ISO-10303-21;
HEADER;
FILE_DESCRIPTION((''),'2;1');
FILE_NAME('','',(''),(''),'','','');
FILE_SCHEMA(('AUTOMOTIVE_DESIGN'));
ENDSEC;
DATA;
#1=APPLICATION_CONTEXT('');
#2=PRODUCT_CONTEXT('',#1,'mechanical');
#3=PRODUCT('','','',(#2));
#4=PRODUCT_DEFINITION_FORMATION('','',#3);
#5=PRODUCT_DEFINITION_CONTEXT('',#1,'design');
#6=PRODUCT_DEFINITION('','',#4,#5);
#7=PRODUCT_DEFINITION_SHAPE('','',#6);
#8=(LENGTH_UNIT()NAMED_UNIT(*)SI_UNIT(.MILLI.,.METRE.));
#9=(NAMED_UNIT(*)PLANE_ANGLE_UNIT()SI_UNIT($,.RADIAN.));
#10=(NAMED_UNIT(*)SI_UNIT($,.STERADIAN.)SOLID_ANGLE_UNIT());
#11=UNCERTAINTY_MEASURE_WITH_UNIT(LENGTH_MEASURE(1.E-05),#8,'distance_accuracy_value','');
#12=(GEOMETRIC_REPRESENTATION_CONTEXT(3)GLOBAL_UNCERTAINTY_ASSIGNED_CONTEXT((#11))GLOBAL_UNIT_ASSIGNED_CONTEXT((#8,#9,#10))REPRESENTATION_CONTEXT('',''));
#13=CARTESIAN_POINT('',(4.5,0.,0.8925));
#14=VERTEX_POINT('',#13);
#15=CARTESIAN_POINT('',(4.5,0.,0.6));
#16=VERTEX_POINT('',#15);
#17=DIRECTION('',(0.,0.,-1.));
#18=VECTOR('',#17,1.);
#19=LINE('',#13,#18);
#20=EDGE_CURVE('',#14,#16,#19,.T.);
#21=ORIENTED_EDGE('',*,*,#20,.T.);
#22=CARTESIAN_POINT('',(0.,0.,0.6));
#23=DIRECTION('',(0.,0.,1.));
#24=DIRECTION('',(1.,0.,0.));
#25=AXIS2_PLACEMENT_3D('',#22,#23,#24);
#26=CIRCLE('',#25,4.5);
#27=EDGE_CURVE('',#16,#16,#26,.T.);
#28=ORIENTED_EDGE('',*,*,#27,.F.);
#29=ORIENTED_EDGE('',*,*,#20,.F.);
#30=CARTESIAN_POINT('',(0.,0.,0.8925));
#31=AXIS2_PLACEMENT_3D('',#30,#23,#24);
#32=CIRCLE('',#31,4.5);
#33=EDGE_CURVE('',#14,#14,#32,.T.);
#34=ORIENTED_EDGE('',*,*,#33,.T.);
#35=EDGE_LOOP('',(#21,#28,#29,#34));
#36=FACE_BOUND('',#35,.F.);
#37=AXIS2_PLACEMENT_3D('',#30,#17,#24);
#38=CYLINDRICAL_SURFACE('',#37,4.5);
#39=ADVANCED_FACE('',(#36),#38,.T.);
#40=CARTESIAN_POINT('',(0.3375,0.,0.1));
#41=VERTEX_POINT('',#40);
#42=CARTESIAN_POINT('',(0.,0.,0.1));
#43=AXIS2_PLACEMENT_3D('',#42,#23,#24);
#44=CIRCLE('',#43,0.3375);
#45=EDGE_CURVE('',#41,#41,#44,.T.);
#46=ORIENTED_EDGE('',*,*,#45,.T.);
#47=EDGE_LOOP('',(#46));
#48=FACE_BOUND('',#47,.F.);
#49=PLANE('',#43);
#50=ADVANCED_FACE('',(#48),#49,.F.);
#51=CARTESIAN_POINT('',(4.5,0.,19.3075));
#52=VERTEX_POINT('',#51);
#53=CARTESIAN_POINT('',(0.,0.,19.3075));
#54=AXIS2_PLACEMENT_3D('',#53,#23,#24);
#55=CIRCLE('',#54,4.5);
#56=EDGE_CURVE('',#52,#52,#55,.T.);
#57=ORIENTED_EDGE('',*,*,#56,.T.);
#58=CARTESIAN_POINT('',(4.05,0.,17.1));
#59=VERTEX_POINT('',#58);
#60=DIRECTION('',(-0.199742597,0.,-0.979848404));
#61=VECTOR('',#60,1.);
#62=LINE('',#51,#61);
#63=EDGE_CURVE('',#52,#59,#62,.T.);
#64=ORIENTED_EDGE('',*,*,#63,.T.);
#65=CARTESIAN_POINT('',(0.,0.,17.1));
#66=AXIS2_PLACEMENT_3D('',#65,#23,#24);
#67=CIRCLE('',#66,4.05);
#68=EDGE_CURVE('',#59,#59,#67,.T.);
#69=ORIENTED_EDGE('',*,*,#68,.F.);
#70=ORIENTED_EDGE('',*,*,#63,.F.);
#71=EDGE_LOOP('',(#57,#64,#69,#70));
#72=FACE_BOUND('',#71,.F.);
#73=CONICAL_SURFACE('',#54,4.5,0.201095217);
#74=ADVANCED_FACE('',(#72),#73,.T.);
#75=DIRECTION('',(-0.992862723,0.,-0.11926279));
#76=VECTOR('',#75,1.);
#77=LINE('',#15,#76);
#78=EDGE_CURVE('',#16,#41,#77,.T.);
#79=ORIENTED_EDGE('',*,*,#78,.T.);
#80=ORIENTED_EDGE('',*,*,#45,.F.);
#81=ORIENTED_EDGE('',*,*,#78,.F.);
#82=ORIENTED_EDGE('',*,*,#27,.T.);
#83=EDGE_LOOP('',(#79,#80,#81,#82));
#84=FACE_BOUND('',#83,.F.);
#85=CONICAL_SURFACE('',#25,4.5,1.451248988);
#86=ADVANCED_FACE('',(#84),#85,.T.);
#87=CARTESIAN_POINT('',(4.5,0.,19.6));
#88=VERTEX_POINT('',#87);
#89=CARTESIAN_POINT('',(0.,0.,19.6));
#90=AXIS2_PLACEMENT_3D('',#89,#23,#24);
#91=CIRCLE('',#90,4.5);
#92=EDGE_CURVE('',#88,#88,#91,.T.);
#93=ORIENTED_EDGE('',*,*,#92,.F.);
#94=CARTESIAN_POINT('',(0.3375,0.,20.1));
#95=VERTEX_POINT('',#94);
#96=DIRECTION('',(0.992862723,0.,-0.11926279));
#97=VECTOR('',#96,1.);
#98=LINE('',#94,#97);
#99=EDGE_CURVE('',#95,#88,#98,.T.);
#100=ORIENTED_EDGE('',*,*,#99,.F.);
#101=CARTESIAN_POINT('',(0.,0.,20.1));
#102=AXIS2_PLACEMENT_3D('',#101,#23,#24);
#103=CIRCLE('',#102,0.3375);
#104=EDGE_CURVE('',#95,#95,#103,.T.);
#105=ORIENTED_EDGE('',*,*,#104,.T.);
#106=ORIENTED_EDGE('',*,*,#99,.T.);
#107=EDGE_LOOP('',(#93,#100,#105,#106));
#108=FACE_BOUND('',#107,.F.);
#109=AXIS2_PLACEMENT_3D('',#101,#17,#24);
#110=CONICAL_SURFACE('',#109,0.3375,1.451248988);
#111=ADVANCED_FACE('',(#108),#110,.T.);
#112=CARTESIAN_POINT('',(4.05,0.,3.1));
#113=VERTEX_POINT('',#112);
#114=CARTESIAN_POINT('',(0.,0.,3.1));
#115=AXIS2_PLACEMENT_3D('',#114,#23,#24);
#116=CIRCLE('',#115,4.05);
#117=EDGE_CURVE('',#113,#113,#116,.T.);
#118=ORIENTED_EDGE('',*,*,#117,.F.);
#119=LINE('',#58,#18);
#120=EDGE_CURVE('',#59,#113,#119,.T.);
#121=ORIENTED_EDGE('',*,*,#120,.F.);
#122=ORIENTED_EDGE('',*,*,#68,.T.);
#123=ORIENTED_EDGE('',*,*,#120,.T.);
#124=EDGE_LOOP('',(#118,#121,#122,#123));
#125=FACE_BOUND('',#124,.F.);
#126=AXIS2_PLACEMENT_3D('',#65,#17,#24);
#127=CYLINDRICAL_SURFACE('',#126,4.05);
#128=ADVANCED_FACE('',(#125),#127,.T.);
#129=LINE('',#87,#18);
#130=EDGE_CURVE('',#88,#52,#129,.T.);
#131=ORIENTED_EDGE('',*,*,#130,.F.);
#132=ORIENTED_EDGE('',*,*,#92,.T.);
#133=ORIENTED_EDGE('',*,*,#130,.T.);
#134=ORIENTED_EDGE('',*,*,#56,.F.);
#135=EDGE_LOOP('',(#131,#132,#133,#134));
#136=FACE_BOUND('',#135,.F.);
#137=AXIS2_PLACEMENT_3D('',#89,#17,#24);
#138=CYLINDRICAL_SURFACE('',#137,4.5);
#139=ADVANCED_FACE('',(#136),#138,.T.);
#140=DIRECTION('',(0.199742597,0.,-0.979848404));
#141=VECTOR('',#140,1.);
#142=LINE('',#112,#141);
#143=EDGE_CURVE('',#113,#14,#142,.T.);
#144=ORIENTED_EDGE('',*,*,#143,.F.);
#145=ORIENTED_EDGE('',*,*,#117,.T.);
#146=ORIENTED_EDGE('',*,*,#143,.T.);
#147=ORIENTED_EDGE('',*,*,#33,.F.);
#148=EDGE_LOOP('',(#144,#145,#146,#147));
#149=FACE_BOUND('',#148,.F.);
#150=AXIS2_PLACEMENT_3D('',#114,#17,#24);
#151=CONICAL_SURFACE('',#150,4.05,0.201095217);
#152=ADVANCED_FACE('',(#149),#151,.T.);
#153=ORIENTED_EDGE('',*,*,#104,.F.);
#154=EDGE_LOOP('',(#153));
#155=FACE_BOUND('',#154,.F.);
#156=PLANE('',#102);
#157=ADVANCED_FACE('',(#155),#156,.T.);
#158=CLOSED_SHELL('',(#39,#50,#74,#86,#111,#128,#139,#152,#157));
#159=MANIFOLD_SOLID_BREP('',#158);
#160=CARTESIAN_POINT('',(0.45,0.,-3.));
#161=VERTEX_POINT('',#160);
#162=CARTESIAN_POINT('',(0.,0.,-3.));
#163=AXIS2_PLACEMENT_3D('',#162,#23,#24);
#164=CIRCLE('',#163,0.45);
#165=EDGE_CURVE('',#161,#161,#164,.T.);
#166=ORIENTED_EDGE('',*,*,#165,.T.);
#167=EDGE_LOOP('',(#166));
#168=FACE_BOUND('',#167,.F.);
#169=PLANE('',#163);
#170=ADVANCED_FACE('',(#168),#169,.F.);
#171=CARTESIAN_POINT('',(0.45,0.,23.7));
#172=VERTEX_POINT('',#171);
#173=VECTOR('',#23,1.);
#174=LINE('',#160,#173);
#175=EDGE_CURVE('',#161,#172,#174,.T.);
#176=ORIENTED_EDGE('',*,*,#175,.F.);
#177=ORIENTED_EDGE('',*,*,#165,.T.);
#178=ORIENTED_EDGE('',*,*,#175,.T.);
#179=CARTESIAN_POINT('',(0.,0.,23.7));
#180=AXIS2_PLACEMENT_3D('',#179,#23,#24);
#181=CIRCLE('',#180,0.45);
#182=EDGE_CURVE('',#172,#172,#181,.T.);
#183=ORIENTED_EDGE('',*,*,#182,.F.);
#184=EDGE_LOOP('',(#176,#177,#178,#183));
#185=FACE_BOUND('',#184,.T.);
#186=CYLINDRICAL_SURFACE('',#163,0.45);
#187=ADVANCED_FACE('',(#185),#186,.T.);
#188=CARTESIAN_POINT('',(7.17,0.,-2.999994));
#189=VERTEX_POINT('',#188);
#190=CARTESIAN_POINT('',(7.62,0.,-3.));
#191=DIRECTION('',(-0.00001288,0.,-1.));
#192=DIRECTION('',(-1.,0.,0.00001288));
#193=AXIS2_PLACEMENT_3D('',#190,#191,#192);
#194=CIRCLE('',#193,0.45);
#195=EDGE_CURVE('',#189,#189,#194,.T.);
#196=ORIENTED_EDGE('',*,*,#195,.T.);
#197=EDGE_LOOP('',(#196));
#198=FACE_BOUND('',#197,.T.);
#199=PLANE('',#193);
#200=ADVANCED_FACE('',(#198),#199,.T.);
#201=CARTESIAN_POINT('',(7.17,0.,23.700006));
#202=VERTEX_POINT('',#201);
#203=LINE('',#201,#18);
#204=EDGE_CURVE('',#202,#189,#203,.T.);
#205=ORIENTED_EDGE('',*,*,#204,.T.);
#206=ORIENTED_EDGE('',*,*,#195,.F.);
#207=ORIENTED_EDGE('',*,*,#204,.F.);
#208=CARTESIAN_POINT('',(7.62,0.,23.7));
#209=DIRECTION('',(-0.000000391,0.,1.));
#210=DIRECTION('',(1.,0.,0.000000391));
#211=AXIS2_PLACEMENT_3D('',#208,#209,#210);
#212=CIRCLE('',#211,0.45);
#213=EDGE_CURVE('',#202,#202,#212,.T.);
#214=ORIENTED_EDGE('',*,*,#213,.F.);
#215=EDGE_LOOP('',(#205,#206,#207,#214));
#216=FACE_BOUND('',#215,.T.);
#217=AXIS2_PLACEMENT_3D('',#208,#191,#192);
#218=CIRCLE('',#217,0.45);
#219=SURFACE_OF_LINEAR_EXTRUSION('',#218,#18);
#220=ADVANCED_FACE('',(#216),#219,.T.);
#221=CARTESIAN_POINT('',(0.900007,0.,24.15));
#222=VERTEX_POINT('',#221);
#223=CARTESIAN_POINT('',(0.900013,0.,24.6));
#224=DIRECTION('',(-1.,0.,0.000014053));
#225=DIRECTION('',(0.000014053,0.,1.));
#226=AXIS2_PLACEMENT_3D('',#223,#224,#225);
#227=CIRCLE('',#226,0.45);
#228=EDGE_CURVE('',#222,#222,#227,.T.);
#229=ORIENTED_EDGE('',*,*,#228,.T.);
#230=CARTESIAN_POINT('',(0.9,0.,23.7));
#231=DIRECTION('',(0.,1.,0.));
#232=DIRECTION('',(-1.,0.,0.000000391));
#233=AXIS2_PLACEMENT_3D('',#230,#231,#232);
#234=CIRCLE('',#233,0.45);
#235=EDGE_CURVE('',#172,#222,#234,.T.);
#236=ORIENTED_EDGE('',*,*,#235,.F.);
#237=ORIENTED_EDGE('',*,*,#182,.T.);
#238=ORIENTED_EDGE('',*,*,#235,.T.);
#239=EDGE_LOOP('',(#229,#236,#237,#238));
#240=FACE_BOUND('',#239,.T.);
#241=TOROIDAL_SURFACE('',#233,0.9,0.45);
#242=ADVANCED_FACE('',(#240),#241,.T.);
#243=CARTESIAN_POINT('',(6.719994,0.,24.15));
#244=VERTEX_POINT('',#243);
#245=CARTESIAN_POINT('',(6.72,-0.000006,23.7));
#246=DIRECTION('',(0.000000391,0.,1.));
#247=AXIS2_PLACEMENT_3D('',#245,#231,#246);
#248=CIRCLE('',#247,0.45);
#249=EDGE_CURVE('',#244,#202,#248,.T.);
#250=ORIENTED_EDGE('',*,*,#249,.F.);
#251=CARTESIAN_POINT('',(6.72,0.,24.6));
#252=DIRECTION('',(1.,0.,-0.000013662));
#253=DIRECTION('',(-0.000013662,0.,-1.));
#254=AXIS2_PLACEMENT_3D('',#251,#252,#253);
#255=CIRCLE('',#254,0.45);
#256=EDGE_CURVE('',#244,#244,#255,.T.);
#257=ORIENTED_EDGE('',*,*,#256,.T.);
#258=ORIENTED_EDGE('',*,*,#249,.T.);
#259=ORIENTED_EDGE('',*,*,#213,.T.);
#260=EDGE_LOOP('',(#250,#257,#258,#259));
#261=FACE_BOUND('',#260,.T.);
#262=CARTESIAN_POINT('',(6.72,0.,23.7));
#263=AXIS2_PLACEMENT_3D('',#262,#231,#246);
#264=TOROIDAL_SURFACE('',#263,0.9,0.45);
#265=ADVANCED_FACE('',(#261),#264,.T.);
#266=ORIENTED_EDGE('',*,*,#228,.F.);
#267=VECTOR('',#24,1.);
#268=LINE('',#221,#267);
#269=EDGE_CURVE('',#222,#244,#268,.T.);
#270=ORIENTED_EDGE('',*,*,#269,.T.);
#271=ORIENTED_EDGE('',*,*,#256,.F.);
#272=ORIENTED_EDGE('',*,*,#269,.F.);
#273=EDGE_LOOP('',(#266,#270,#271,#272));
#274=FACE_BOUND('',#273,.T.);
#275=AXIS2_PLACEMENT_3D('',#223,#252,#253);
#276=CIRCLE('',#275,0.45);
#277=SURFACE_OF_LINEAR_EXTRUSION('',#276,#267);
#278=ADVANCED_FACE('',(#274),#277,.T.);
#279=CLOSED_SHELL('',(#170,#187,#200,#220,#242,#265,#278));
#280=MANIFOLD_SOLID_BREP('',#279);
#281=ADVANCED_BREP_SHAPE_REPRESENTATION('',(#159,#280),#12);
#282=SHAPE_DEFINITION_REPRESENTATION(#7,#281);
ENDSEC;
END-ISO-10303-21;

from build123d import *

# Parameters (mm, degrees)
SKETCH_R = 0.45


with BuildPart() as sweep_body:
    # Sweep: sweep along a path in Sketch001
    with BuildLine(Plane.XZ) as sweep_path:
        Line((0, -3), (0, 23.7))
        ThreePointArc((0, 23.7), (0.263609, 24.336401), (0.900013, 24.6))
        Line((0.900013, 24.6), (6.72, 24.6))
        ThreePointArc((6.72, 24.6), (7.356396, 24.336396), (7.62, 23.7))
        Line((7.62, 23.7), (7.62, -3))
    # Sketch → Sweep (sweep)
    with BuildSketch(Plane.XY.offset(-2)):
        Circle(SKETCH_R)
    sweep(path=sweep_path.line)


with BuildPart() as revolution:
    # Sketch002 → Revolution (revolve)
    with BuildSketch(Plane.XZ):
        Polygon((0, 0.1), (0, 20.1), (0.3375, 20.1), (4.5, 19.6), (4.5, 19.3075), (4.05, 17.1), (4.05, 3.1), (4.5, 0.8925), (4.5, 0.6), (0.3375, 0.1), align=None)
    revolve(axis=Axis((0, 0, 0), (0, 0, 1)))


solid = Compound([sweep_body.part, revolution.part])
